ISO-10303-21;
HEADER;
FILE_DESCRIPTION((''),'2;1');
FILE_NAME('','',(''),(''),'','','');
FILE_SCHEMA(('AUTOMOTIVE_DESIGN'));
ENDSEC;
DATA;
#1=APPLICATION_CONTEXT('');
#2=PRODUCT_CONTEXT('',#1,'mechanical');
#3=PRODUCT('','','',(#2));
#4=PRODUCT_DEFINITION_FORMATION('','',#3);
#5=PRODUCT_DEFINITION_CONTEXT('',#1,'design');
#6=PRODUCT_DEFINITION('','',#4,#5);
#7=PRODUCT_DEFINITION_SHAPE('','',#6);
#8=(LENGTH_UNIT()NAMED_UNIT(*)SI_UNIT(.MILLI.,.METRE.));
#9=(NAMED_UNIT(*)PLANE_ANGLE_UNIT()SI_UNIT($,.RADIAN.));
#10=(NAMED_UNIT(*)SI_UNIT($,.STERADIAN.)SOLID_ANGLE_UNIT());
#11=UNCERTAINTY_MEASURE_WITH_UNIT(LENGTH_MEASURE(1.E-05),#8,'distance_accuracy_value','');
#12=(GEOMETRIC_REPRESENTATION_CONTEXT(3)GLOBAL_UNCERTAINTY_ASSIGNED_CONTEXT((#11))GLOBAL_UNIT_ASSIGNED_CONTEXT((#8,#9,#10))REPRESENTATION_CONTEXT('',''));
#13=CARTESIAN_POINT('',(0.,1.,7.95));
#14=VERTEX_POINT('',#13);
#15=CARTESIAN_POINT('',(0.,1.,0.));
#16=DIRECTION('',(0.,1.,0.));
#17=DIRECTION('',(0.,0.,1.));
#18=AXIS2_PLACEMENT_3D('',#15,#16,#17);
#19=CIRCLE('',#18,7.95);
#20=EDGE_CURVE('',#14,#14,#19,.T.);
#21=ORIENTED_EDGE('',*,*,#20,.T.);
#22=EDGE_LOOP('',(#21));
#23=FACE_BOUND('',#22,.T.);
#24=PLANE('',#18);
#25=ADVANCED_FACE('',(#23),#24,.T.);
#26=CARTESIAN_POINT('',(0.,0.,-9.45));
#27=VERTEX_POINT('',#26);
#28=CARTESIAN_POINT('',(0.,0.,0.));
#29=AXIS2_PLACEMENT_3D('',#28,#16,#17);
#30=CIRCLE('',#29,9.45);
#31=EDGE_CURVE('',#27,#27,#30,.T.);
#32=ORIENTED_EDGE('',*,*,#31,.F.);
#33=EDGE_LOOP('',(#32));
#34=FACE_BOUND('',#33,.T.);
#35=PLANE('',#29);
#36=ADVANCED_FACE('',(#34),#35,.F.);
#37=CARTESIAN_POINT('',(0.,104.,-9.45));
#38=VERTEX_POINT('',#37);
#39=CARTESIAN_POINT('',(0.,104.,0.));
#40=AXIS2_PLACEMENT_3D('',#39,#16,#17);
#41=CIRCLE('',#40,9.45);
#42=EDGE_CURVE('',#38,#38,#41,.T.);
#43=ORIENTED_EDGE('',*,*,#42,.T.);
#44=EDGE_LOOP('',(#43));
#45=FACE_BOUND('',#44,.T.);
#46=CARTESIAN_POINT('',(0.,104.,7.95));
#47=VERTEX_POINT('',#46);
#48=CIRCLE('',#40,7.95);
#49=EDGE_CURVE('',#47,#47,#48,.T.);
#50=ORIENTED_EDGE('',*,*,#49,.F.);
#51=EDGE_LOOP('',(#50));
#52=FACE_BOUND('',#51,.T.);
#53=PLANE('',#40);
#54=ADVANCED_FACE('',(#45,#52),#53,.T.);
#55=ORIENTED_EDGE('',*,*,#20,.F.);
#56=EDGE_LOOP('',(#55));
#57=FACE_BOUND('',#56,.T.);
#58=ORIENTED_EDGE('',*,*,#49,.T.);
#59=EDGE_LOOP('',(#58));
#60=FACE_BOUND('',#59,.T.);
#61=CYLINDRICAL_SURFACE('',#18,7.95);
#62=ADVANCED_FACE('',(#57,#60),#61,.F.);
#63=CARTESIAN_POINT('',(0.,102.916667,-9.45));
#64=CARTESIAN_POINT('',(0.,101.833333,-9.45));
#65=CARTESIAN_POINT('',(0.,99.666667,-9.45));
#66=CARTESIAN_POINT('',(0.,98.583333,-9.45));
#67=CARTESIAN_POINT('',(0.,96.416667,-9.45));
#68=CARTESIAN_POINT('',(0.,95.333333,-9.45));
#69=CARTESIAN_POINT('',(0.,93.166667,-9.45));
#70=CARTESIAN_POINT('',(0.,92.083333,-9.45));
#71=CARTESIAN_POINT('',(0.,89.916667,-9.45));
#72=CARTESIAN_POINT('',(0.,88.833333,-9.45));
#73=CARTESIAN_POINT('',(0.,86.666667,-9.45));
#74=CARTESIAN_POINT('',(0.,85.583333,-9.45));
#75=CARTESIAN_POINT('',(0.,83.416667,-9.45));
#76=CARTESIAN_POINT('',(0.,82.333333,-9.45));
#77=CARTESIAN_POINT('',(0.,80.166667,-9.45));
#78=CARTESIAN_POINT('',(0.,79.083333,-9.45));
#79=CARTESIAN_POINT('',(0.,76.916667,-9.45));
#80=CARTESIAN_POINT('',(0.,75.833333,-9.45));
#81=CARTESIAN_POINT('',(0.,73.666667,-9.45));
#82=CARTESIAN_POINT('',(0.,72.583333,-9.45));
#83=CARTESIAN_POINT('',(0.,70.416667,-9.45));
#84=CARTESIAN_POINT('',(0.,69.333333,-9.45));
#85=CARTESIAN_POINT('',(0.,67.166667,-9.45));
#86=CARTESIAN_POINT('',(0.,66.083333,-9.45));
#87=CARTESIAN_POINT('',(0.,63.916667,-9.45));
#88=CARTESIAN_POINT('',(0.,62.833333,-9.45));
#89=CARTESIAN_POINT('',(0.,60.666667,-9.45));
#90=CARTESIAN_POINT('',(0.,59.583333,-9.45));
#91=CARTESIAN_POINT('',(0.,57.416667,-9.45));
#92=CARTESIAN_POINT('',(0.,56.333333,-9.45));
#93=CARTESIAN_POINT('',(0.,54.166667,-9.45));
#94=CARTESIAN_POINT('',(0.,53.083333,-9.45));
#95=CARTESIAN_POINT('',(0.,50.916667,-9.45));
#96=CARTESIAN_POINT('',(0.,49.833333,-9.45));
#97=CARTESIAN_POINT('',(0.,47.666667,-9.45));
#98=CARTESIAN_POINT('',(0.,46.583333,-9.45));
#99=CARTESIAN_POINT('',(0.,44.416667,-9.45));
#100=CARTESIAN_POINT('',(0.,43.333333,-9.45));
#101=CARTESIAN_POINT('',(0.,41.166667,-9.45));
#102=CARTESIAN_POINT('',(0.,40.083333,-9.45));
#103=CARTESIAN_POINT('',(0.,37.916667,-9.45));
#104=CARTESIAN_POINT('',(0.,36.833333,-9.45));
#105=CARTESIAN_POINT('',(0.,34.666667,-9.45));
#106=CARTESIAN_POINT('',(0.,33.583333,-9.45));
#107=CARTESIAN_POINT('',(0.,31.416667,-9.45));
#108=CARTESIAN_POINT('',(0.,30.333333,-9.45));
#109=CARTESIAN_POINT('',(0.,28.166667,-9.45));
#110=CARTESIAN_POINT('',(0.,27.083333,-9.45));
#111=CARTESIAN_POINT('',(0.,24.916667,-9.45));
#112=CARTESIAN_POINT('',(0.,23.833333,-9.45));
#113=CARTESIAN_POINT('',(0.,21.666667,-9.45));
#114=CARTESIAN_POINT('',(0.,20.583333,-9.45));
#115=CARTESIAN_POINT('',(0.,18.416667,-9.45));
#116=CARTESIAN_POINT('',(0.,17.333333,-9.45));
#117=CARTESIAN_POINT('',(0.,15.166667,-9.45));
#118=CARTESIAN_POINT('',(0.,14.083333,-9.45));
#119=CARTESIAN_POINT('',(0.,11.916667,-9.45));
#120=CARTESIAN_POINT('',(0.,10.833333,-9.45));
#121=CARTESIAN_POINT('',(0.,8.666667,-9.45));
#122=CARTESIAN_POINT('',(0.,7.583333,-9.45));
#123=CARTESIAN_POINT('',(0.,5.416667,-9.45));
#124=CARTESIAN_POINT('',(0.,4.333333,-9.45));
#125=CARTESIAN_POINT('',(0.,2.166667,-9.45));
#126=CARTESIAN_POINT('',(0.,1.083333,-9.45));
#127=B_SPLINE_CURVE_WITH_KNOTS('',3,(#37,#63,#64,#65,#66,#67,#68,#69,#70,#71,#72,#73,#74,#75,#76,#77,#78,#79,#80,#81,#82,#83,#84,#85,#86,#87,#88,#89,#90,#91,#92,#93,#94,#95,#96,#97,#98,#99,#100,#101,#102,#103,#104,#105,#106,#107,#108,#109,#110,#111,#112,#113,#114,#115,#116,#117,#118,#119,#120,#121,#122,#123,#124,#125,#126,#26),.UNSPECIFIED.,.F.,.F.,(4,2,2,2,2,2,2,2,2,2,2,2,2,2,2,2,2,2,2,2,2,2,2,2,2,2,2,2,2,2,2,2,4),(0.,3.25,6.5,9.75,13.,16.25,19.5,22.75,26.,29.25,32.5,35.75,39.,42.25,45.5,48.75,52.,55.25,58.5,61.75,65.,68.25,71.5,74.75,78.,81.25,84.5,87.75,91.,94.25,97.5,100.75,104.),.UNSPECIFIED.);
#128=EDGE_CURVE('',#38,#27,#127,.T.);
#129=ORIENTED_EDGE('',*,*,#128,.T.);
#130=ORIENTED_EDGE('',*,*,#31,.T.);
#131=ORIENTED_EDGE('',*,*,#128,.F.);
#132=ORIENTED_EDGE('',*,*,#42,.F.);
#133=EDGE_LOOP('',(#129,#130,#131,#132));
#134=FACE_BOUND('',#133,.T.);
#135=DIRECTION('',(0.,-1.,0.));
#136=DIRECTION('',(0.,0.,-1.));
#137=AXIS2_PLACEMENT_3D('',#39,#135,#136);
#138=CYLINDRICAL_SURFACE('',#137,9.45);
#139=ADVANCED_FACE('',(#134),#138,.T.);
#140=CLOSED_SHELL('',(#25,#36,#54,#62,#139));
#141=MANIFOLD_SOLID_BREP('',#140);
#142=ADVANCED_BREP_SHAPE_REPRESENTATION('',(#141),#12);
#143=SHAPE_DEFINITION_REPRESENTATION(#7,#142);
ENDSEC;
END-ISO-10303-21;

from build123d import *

# Parameters (mm, degrees)
SKETCH_1_R          = 9.45
EXTRUDE_1_DEPTH     = 104
SKETCH_2_R          = 7.95
CUT_EXTRUDE_1_DEPTH = 103


with BuildPart() as part:
    # ｽｹｯﾁ1 → ﾎﾞｽ - 押し出し1 (new body)
    with BuildSketch(Plane(origin=(0, 0, 0), x_dir=(1, 0, 0), z_dir=(0, 1, 0))):
        with Locations(Location((0, 0, 0), (0, 0, 90))):
            Circle(SKETCH_1_R)
    extrude(amount=EXTRUDE_1_DEPTH)

    # ｽｹｯﾁ2 → ｶｯﾄ - 押し出し1 (cut)
    with BuildSketch(Plane(origin=(0, 104, 0), x_dir=(1, 0, 0), z_dir=(0, 1, 0))):
        with Locations(Location((0, 0, 0), (0, 0, 270))):
            Circle(SKETCH_2_R)
    extrude(amount=-CUT_EXTRUDE_1_DEPTH, mode=Mode.SUBTRACT)


solid = part.part
